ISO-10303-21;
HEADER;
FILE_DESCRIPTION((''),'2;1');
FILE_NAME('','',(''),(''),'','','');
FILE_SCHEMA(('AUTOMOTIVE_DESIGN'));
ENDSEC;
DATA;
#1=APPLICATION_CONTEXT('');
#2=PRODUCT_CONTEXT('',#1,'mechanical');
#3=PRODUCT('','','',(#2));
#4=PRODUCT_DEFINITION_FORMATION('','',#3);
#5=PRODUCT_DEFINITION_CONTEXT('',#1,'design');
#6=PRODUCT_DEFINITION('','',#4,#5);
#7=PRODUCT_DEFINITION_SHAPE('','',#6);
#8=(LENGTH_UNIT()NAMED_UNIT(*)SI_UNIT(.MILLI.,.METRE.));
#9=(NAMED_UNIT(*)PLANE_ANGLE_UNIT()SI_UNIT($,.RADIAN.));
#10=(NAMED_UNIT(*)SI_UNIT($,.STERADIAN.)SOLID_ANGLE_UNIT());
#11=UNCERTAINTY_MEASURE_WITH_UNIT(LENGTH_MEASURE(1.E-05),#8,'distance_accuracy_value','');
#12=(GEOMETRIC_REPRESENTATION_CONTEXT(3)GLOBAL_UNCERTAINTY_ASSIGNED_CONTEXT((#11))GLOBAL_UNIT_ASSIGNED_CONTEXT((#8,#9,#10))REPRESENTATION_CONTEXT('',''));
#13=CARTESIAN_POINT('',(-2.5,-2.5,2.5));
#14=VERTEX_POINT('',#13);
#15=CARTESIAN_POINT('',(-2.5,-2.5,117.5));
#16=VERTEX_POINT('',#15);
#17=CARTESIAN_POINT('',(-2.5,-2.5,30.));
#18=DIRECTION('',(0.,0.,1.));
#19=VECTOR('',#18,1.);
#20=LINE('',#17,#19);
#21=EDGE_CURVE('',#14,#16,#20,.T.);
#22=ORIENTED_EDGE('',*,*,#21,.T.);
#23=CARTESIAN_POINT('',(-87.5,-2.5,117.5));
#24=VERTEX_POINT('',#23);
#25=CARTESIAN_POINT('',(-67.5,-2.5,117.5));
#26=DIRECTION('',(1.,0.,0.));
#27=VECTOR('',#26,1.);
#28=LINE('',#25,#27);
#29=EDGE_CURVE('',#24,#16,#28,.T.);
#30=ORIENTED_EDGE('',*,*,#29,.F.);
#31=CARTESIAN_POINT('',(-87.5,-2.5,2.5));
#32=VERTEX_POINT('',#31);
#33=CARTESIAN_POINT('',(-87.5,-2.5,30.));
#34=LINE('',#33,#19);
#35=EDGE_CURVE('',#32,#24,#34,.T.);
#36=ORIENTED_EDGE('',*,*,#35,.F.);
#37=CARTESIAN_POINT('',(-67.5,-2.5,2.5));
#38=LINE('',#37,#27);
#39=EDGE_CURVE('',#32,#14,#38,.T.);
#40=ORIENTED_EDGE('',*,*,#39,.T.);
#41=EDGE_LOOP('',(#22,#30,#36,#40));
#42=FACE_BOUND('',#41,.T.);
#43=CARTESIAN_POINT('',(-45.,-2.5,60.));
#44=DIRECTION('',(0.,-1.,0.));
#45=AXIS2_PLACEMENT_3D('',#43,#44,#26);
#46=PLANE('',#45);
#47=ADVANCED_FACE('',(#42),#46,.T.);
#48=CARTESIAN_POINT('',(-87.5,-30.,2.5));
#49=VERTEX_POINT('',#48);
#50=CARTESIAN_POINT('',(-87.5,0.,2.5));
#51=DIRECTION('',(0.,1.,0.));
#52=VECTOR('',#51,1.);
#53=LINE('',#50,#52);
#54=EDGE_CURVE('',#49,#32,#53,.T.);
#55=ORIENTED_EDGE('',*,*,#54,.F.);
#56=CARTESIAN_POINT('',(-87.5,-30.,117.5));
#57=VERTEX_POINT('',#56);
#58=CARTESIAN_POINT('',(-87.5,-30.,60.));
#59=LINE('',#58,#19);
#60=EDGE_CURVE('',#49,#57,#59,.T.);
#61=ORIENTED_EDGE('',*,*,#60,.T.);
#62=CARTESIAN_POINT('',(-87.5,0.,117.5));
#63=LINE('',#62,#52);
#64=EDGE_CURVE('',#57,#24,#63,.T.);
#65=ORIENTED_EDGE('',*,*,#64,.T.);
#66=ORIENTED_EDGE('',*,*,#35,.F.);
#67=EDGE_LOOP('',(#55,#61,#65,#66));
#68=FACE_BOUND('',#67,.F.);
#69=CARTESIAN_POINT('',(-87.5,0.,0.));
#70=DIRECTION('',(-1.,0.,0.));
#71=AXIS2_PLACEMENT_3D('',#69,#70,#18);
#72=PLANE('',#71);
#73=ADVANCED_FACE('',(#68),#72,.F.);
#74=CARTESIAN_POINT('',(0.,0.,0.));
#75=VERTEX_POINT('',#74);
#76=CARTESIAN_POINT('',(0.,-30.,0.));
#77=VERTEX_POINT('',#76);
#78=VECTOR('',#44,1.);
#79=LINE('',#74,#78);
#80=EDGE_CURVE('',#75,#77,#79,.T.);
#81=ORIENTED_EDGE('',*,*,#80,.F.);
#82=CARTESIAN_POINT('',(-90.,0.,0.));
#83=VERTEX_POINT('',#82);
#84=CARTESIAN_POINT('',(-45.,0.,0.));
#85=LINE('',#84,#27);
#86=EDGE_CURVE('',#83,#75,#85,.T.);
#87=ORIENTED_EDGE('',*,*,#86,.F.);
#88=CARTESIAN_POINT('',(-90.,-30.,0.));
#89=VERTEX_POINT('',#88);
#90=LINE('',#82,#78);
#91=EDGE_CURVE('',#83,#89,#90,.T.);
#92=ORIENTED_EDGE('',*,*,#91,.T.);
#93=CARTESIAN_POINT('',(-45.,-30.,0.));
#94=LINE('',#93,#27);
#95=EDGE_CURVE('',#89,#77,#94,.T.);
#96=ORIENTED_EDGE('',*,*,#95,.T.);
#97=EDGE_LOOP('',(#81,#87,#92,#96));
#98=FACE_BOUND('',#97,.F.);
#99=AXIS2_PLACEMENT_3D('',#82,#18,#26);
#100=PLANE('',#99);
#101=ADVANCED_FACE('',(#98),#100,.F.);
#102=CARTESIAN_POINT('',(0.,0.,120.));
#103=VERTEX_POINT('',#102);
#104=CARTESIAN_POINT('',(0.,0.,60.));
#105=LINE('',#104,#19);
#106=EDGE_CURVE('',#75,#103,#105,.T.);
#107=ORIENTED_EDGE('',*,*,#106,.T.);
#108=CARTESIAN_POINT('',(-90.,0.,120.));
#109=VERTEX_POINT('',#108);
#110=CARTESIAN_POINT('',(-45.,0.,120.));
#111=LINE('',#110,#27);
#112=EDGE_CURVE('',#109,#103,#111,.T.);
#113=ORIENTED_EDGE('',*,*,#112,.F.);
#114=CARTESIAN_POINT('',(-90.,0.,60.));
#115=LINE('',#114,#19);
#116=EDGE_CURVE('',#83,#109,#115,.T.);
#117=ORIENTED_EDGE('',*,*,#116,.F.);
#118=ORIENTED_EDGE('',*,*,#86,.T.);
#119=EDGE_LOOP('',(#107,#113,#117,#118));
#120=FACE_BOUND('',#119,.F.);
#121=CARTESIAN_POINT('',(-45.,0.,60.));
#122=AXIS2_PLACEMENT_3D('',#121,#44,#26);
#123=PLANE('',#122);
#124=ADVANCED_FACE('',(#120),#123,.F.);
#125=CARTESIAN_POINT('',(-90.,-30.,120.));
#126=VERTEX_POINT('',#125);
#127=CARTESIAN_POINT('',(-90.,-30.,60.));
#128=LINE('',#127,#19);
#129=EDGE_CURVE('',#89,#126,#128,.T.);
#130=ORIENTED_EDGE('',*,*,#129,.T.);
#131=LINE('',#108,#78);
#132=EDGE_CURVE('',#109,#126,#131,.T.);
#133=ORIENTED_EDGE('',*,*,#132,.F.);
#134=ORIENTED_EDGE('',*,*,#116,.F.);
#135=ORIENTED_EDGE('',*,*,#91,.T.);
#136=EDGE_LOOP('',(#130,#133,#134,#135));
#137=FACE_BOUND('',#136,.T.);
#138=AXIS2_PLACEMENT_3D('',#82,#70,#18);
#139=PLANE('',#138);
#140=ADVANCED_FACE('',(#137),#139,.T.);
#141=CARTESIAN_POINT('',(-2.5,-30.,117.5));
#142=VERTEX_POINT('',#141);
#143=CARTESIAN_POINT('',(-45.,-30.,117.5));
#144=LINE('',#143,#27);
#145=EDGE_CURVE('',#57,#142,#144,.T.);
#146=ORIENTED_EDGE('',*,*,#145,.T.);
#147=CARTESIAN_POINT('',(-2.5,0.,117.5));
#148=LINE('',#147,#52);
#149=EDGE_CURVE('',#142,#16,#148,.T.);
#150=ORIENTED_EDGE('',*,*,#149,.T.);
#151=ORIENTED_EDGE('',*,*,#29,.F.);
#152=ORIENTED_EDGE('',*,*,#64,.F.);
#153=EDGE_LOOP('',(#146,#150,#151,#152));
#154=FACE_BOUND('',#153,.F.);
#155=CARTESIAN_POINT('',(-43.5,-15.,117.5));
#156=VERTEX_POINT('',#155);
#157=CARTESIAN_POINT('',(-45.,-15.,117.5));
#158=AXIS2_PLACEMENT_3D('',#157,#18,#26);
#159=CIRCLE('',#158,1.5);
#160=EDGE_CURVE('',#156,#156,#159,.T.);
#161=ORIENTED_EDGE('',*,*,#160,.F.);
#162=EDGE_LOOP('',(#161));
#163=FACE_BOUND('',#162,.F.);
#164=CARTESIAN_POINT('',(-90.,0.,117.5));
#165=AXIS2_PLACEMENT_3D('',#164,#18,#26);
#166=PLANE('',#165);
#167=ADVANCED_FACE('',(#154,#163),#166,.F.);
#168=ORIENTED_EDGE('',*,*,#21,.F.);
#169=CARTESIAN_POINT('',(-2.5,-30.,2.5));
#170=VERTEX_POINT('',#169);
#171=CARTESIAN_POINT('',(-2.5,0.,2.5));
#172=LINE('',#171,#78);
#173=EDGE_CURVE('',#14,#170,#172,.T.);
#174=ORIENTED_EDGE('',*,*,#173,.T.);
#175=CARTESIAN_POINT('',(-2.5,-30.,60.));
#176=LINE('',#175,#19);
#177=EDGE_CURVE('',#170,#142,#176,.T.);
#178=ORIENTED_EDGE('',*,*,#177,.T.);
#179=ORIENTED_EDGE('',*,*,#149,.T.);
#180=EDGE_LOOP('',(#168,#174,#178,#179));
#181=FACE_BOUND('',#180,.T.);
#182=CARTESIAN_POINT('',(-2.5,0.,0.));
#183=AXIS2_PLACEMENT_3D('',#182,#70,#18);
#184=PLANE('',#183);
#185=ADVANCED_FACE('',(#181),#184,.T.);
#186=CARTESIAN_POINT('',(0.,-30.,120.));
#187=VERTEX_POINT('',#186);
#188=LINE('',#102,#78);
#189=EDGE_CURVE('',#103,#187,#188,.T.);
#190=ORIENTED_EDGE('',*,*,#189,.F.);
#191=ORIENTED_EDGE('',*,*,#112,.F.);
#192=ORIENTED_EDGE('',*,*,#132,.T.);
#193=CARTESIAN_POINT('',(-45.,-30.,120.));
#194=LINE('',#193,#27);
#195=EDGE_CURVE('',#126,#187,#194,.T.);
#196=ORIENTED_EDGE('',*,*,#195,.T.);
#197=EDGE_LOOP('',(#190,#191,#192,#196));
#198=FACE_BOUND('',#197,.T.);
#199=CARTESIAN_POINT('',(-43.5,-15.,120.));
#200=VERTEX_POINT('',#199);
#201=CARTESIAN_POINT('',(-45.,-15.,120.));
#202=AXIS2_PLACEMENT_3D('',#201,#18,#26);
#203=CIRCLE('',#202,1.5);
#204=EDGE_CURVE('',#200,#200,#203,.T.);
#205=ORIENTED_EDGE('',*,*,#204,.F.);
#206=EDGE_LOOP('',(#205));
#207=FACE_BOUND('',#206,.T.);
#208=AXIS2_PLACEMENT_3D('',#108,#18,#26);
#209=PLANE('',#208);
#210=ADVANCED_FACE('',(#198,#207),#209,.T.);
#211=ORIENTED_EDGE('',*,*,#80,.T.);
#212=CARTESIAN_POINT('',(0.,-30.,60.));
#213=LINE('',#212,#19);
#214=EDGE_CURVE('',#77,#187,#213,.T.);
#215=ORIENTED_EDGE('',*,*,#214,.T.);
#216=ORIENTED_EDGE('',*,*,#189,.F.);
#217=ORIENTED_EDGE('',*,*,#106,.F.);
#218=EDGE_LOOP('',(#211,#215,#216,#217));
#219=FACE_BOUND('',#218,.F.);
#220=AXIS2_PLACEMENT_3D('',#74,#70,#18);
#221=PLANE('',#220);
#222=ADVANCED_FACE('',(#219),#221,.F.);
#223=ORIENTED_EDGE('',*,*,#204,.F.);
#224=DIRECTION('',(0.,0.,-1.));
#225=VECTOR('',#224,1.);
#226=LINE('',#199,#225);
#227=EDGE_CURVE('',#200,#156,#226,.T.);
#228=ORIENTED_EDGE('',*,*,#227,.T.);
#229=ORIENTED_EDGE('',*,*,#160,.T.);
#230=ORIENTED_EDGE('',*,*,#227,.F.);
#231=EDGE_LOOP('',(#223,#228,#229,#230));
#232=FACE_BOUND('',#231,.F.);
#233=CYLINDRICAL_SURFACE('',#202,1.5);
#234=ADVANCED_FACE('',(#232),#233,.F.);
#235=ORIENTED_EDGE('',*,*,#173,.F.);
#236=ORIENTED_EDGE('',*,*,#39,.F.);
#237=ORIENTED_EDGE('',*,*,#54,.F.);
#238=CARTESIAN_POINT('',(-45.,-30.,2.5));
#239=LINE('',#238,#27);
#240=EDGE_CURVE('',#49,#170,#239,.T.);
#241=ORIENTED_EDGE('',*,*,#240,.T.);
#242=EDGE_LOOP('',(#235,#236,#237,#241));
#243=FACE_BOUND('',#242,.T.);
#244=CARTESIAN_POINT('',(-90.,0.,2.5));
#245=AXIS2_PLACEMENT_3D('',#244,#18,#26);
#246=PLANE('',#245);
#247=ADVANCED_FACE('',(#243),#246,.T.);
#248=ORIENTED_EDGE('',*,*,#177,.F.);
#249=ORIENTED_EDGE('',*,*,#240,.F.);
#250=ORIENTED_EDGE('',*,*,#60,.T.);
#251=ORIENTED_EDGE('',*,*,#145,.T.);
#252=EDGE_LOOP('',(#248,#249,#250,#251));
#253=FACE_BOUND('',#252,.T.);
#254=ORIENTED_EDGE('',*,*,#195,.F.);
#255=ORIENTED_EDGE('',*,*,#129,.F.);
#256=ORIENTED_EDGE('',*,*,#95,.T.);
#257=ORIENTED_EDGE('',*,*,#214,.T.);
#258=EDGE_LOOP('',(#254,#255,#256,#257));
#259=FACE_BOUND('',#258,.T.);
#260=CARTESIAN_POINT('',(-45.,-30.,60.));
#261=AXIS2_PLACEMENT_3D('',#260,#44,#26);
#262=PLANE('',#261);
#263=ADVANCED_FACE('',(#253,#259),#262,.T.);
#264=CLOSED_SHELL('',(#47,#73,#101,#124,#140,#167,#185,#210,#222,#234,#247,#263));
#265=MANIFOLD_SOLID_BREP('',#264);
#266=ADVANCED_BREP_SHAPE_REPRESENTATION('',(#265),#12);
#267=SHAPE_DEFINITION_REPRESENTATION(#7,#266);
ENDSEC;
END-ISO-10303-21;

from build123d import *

# Parameters (mm, degrees)
F0_W     = 90
F0_H     = 120
F1_DEPTH = 30
F2_T     = -2.5
F3_R     = 1.5
F4_DEPTH = 25


with BuildPart() as f1:
    # F0 (on Front) → F1 (new body)
    with BuildSketch(Plane.XZ):
        with Locations((-45, 60)):
            Rectangle(F0_W, F0_H)
    extrude(amount=F1_DEPTH)

    # F2
    f2_openings = [f1.faces().sort_by_distance(p)[0] for p in [
        (-45, -30, 60),
    ]]
    offset(amount=F2_T, openings=f2_openings)

    # F3 (on face) → F4 (cut)
    with BuildSketch(Plane.XY.offset(120)):
        with Locations((-45, -15)):
            Circle(F3_R)
    extrude(amount=-F4_DEPTH, mode=Mode.SUBTRACT)


solid = f1.part
